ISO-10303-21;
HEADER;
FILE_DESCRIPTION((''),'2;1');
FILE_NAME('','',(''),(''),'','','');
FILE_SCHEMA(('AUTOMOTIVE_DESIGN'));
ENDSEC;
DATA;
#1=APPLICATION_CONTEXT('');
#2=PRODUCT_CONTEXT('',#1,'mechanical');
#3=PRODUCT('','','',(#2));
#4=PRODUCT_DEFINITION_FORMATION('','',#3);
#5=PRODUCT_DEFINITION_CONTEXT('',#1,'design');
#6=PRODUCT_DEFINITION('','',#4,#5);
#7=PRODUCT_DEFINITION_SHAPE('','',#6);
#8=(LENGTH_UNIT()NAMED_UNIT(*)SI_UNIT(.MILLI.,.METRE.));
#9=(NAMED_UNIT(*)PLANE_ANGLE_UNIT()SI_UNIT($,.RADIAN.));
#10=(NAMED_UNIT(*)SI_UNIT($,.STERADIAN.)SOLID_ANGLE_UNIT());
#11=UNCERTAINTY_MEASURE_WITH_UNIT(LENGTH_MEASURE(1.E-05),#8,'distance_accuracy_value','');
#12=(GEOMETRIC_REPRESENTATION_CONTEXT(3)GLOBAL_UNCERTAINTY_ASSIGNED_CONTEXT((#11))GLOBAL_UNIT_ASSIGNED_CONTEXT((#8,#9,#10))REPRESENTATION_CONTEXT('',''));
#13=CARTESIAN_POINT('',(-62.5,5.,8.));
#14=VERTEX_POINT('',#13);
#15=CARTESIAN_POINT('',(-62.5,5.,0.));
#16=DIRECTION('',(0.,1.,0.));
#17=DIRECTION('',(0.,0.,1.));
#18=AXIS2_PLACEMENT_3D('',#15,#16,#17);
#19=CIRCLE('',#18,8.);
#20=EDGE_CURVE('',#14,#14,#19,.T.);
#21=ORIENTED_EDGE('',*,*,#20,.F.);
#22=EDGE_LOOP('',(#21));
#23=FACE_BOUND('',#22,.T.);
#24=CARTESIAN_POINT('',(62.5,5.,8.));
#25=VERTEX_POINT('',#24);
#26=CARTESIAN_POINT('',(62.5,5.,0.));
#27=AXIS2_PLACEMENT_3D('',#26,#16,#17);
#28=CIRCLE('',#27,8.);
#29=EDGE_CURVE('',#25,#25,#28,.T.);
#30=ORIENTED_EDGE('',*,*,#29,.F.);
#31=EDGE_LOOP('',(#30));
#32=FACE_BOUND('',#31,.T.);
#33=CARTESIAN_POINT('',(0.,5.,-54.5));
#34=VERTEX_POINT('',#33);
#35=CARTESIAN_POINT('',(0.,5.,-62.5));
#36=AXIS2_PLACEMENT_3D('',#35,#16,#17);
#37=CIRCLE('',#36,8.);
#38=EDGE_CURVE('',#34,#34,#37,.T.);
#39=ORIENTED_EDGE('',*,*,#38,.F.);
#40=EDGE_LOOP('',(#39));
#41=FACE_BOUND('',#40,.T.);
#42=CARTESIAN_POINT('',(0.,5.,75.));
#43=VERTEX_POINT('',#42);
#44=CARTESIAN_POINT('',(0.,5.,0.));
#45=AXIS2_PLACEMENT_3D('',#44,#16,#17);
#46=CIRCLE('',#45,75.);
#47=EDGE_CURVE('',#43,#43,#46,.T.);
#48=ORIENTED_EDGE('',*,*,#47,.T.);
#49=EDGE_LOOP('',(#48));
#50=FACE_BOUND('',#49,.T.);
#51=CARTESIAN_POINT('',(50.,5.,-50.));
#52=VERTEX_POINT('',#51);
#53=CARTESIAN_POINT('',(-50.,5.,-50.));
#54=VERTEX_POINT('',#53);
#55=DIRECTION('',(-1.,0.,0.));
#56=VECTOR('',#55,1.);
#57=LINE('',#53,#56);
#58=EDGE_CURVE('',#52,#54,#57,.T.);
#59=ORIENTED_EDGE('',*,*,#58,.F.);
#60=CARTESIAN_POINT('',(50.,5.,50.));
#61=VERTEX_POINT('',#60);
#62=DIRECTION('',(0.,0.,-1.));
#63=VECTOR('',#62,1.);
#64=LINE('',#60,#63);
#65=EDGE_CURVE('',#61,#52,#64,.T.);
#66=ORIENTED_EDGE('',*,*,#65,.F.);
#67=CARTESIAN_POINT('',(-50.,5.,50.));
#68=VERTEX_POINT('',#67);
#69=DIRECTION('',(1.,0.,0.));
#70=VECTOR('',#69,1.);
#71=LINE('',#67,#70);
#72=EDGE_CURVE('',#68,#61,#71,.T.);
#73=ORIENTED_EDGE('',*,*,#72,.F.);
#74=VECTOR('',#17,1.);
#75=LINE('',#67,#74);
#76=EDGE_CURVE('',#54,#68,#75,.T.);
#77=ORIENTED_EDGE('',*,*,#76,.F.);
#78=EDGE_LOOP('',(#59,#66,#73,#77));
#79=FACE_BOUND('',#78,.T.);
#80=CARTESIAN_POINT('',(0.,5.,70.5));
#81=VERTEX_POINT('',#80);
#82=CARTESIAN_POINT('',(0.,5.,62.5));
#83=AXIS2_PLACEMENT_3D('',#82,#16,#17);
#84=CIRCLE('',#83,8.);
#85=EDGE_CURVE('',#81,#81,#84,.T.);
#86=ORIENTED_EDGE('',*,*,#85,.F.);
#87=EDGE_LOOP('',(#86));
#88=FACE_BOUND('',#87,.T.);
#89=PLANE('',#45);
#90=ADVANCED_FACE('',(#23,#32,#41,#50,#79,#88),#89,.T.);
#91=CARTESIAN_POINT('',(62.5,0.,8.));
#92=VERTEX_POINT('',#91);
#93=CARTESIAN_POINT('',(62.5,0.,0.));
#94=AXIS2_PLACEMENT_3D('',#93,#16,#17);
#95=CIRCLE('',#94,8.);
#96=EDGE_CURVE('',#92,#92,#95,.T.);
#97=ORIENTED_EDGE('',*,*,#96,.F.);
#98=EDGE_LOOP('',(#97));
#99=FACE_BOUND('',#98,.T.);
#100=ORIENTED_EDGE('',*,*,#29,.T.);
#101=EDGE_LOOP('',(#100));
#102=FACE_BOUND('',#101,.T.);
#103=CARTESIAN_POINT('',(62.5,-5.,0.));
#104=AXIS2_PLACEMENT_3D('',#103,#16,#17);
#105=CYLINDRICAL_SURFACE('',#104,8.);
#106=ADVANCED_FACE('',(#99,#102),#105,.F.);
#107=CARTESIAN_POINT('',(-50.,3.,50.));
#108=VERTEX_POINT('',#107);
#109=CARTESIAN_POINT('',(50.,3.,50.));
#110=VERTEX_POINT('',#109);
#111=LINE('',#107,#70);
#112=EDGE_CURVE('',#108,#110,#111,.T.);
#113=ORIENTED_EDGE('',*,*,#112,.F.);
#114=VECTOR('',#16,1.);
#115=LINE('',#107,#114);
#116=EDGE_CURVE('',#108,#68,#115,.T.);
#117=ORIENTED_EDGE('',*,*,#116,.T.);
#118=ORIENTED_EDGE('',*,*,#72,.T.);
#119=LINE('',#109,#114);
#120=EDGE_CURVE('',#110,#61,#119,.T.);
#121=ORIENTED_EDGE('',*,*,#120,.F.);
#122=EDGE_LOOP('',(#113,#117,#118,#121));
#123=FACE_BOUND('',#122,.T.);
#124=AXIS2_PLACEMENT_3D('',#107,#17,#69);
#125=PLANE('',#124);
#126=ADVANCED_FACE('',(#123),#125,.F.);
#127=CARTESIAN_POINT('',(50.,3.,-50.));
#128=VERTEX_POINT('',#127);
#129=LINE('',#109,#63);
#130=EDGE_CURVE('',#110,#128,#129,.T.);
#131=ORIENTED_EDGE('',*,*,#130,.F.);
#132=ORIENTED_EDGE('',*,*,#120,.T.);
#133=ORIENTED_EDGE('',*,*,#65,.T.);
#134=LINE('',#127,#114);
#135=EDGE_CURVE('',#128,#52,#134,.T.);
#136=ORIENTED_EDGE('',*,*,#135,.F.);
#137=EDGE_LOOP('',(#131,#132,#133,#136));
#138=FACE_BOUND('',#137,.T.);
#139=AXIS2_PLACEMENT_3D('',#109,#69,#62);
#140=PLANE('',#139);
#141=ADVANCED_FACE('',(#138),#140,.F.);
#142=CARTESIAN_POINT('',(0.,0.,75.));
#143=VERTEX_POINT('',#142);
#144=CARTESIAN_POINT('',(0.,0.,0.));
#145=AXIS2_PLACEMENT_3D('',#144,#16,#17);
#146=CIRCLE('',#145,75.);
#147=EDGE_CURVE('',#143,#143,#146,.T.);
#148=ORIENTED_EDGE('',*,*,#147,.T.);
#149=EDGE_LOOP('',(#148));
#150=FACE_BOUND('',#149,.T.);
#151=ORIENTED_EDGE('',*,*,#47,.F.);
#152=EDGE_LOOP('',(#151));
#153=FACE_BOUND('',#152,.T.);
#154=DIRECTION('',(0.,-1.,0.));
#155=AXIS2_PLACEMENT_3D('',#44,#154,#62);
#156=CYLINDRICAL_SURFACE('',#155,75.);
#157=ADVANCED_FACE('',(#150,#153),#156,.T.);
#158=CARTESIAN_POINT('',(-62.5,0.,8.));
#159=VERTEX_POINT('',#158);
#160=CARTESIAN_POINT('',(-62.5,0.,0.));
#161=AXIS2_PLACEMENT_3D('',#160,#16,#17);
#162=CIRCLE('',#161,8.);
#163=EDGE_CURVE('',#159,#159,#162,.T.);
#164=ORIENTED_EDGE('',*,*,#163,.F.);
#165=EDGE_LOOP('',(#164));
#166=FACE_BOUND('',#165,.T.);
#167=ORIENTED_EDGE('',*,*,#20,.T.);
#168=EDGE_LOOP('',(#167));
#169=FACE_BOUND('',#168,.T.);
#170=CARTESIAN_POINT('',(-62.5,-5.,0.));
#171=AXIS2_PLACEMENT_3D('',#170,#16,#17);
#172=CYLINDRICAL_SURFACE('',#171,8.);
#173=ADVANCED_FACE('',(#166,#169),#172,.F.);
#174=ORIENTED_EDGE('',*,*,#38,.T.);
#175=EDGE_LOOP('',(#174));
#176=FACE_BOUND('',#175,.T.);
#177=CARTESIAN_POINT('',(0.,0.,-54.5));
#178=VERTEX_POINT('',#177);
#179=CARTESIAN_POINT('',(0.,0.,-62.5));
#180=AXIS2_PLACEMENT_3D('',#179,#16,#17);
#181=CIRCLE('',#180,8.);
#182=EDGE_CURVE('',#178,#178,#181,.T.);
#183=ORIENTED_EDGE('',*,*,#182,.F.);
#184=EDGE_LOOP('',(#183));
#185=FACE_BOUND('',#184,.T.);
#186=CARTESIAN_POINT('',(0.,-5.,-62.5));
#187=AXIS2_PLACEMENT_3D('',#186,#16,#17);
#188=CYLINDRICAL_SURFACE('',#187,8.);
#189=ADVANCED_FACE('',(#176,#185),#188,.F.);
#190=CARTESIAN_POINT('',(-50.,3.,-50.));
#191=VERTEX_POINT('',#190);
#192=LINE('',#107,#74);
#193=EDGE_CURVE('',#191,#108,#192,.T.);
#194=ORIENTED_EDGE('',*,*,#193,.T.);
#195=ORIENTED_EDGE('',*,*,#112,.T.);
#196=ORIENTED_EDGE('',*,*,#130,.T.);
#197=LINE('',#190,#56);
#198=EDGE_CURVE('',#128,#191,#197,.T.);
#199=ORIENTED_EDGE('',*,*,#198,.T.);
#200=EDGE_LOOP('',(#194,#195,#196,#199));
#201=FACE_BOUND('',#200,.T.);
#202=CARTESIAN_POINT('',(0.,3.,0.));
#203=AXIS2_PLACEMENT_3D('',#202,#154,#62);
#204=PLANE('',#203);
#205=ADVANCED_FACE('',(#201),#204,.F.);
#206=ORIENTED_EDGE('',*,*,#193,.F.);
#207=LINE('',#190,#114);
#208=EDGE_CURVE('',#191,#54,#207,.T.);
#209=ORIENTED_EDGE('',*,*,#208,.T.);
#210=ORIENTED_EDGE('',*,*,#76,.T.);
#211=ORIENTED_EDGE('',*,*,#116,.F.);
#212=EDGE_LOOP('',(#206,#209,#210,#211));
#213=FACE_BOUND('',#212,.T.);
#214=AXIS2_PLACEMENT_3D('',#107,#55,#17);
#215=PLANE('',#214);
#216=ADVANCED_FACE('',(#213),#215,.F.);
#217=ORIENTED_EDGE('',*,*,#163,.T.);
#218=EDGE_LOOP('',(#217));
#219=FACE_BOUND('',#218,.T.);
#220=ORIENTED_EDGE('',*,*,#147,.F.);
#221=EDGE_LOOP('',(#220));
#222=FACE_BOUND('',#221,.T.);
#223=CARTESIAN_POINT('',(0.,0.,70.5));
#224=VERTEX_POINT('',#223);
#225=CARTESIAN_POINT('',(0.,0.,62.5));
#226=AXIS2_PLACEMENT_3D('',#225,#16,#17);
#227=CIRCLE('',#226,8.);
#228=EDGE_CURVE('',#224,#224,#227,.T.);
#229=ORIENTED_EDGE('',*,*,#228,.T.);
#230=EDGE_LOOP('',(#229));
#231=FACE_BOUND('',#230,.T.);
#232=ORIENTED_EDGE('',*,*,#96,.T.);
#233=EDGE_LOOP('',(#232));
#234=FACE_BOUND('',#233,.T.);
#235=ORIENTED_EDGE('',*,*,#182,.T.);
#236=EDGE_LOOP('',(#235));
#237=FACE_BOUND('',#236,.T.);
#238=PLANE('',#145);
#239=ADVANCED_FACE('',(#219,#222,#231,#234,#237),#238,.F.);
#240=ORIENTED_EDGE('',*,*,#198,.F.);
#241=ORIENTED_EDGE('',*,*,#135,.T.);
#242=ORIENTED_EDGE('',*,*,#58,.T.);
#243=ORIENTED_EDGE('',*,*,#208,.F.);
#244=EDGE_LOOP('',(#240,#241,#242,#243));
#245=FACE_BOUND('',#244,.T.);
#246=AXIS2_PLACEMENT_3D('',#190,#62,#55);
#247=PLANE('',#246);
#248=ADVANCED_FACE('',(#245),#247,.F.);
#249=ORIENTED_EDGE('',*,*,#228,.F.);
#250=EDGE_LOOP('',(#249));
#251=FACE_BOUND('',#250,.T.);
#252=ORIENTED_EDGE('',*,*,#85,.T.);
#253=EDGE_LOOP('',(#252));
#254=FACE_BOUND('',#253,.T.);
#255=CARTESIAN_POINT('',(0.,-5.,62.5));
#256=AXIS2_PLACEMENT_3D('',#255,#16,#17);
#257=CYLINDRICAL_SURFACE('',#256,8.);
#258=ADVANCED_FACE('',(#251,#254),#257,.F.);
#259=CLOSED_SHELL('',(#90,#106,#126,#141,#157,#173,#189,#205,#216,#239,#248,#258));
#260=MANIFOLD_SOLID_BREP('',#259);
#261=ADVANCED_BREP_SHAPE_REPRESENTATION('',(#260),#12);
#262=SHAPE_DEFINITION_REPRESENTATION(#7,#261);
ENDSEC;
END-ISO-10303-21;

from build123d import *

# Parameters (mm, degrees)
SKETCH1_R           = 75
SKETCH1_W           = 100
SKETCH1_H           = 100
BOSS_EXTRUDE1_DEPTH = 5
SKETCH3_W           = 100
SKETCH3_H           = 100
BOSS_EXTRUDE2_DEPTH = 5
SKETCH3_2_W         = 100
SKETCH3_2_H         = 100
CUT_EXTRUDE1_DEPTH  = 2
SKETCH6_R           = 8
CUT_EXTRUDE2_DEPTH  = 10


with BuildPart() as part:
    # Sketch1 → Boss-Extrude1 (new body)
    with BuildSketch(Plane(origin=(0, 0, 0), x_dir=(1, 0, 0), z_dir=(0, 1, 0))):
        Circle(SKETCH1_R)
        Rectangle(SKETCH1_W, SKETCH1_H, mode=Mode.SUBTRACT)
    extrude(amount=BOSS_EXTRUDE1_DEPTH)

    # Sketch3 → Boss-Extrude2 (add)
    with BuildSketch(Plane(origin=(0, 5, 0), x_dir=(1, 0, 0), z_dir=(0, 1, 0))):
        Rectangle(SKETCH3_W, SKETCH3_H)
    extrude(amount=-BOSS_EXTRUDE2_DEPTH)

    # Sketch3<2> → Cut-Extrude1 (cut)
    with BuildSketch(Plane(origin=(0, 5, 0), x_dir=(1, 0, 0), z_dir=(0, 1, 0))):
        Rectangle(SKETCH3_2_W, SKETCH3_2_H)
    extrude(amount=-CUT_EXTRUDE1_DEPTH, mode=Mode.SUBTRACT)

    # Sketch6 → Cut-Extrude2 (cut)
    with BuildSketch(Plane(origin=(0, 5, 0), x_dir=(1, 0, 0), z_dir=(0, 1, 0))):
        with Locations((0, 62.5)):
            Circle(SKETCH6_R)
        with Locations((62.5, 0)):
            Circle(SKETCH6_R)
        with Locations((0, -62.5)):
            Circle(SKETCH6_R)
        with Locations((-62.5, 0)):
            Circle(SKETCH6_R)
    extrude(amount=-CUT_EXTRUDE2_DEPTH, mode=Mode.SUBTRACT)


solid = part.part
